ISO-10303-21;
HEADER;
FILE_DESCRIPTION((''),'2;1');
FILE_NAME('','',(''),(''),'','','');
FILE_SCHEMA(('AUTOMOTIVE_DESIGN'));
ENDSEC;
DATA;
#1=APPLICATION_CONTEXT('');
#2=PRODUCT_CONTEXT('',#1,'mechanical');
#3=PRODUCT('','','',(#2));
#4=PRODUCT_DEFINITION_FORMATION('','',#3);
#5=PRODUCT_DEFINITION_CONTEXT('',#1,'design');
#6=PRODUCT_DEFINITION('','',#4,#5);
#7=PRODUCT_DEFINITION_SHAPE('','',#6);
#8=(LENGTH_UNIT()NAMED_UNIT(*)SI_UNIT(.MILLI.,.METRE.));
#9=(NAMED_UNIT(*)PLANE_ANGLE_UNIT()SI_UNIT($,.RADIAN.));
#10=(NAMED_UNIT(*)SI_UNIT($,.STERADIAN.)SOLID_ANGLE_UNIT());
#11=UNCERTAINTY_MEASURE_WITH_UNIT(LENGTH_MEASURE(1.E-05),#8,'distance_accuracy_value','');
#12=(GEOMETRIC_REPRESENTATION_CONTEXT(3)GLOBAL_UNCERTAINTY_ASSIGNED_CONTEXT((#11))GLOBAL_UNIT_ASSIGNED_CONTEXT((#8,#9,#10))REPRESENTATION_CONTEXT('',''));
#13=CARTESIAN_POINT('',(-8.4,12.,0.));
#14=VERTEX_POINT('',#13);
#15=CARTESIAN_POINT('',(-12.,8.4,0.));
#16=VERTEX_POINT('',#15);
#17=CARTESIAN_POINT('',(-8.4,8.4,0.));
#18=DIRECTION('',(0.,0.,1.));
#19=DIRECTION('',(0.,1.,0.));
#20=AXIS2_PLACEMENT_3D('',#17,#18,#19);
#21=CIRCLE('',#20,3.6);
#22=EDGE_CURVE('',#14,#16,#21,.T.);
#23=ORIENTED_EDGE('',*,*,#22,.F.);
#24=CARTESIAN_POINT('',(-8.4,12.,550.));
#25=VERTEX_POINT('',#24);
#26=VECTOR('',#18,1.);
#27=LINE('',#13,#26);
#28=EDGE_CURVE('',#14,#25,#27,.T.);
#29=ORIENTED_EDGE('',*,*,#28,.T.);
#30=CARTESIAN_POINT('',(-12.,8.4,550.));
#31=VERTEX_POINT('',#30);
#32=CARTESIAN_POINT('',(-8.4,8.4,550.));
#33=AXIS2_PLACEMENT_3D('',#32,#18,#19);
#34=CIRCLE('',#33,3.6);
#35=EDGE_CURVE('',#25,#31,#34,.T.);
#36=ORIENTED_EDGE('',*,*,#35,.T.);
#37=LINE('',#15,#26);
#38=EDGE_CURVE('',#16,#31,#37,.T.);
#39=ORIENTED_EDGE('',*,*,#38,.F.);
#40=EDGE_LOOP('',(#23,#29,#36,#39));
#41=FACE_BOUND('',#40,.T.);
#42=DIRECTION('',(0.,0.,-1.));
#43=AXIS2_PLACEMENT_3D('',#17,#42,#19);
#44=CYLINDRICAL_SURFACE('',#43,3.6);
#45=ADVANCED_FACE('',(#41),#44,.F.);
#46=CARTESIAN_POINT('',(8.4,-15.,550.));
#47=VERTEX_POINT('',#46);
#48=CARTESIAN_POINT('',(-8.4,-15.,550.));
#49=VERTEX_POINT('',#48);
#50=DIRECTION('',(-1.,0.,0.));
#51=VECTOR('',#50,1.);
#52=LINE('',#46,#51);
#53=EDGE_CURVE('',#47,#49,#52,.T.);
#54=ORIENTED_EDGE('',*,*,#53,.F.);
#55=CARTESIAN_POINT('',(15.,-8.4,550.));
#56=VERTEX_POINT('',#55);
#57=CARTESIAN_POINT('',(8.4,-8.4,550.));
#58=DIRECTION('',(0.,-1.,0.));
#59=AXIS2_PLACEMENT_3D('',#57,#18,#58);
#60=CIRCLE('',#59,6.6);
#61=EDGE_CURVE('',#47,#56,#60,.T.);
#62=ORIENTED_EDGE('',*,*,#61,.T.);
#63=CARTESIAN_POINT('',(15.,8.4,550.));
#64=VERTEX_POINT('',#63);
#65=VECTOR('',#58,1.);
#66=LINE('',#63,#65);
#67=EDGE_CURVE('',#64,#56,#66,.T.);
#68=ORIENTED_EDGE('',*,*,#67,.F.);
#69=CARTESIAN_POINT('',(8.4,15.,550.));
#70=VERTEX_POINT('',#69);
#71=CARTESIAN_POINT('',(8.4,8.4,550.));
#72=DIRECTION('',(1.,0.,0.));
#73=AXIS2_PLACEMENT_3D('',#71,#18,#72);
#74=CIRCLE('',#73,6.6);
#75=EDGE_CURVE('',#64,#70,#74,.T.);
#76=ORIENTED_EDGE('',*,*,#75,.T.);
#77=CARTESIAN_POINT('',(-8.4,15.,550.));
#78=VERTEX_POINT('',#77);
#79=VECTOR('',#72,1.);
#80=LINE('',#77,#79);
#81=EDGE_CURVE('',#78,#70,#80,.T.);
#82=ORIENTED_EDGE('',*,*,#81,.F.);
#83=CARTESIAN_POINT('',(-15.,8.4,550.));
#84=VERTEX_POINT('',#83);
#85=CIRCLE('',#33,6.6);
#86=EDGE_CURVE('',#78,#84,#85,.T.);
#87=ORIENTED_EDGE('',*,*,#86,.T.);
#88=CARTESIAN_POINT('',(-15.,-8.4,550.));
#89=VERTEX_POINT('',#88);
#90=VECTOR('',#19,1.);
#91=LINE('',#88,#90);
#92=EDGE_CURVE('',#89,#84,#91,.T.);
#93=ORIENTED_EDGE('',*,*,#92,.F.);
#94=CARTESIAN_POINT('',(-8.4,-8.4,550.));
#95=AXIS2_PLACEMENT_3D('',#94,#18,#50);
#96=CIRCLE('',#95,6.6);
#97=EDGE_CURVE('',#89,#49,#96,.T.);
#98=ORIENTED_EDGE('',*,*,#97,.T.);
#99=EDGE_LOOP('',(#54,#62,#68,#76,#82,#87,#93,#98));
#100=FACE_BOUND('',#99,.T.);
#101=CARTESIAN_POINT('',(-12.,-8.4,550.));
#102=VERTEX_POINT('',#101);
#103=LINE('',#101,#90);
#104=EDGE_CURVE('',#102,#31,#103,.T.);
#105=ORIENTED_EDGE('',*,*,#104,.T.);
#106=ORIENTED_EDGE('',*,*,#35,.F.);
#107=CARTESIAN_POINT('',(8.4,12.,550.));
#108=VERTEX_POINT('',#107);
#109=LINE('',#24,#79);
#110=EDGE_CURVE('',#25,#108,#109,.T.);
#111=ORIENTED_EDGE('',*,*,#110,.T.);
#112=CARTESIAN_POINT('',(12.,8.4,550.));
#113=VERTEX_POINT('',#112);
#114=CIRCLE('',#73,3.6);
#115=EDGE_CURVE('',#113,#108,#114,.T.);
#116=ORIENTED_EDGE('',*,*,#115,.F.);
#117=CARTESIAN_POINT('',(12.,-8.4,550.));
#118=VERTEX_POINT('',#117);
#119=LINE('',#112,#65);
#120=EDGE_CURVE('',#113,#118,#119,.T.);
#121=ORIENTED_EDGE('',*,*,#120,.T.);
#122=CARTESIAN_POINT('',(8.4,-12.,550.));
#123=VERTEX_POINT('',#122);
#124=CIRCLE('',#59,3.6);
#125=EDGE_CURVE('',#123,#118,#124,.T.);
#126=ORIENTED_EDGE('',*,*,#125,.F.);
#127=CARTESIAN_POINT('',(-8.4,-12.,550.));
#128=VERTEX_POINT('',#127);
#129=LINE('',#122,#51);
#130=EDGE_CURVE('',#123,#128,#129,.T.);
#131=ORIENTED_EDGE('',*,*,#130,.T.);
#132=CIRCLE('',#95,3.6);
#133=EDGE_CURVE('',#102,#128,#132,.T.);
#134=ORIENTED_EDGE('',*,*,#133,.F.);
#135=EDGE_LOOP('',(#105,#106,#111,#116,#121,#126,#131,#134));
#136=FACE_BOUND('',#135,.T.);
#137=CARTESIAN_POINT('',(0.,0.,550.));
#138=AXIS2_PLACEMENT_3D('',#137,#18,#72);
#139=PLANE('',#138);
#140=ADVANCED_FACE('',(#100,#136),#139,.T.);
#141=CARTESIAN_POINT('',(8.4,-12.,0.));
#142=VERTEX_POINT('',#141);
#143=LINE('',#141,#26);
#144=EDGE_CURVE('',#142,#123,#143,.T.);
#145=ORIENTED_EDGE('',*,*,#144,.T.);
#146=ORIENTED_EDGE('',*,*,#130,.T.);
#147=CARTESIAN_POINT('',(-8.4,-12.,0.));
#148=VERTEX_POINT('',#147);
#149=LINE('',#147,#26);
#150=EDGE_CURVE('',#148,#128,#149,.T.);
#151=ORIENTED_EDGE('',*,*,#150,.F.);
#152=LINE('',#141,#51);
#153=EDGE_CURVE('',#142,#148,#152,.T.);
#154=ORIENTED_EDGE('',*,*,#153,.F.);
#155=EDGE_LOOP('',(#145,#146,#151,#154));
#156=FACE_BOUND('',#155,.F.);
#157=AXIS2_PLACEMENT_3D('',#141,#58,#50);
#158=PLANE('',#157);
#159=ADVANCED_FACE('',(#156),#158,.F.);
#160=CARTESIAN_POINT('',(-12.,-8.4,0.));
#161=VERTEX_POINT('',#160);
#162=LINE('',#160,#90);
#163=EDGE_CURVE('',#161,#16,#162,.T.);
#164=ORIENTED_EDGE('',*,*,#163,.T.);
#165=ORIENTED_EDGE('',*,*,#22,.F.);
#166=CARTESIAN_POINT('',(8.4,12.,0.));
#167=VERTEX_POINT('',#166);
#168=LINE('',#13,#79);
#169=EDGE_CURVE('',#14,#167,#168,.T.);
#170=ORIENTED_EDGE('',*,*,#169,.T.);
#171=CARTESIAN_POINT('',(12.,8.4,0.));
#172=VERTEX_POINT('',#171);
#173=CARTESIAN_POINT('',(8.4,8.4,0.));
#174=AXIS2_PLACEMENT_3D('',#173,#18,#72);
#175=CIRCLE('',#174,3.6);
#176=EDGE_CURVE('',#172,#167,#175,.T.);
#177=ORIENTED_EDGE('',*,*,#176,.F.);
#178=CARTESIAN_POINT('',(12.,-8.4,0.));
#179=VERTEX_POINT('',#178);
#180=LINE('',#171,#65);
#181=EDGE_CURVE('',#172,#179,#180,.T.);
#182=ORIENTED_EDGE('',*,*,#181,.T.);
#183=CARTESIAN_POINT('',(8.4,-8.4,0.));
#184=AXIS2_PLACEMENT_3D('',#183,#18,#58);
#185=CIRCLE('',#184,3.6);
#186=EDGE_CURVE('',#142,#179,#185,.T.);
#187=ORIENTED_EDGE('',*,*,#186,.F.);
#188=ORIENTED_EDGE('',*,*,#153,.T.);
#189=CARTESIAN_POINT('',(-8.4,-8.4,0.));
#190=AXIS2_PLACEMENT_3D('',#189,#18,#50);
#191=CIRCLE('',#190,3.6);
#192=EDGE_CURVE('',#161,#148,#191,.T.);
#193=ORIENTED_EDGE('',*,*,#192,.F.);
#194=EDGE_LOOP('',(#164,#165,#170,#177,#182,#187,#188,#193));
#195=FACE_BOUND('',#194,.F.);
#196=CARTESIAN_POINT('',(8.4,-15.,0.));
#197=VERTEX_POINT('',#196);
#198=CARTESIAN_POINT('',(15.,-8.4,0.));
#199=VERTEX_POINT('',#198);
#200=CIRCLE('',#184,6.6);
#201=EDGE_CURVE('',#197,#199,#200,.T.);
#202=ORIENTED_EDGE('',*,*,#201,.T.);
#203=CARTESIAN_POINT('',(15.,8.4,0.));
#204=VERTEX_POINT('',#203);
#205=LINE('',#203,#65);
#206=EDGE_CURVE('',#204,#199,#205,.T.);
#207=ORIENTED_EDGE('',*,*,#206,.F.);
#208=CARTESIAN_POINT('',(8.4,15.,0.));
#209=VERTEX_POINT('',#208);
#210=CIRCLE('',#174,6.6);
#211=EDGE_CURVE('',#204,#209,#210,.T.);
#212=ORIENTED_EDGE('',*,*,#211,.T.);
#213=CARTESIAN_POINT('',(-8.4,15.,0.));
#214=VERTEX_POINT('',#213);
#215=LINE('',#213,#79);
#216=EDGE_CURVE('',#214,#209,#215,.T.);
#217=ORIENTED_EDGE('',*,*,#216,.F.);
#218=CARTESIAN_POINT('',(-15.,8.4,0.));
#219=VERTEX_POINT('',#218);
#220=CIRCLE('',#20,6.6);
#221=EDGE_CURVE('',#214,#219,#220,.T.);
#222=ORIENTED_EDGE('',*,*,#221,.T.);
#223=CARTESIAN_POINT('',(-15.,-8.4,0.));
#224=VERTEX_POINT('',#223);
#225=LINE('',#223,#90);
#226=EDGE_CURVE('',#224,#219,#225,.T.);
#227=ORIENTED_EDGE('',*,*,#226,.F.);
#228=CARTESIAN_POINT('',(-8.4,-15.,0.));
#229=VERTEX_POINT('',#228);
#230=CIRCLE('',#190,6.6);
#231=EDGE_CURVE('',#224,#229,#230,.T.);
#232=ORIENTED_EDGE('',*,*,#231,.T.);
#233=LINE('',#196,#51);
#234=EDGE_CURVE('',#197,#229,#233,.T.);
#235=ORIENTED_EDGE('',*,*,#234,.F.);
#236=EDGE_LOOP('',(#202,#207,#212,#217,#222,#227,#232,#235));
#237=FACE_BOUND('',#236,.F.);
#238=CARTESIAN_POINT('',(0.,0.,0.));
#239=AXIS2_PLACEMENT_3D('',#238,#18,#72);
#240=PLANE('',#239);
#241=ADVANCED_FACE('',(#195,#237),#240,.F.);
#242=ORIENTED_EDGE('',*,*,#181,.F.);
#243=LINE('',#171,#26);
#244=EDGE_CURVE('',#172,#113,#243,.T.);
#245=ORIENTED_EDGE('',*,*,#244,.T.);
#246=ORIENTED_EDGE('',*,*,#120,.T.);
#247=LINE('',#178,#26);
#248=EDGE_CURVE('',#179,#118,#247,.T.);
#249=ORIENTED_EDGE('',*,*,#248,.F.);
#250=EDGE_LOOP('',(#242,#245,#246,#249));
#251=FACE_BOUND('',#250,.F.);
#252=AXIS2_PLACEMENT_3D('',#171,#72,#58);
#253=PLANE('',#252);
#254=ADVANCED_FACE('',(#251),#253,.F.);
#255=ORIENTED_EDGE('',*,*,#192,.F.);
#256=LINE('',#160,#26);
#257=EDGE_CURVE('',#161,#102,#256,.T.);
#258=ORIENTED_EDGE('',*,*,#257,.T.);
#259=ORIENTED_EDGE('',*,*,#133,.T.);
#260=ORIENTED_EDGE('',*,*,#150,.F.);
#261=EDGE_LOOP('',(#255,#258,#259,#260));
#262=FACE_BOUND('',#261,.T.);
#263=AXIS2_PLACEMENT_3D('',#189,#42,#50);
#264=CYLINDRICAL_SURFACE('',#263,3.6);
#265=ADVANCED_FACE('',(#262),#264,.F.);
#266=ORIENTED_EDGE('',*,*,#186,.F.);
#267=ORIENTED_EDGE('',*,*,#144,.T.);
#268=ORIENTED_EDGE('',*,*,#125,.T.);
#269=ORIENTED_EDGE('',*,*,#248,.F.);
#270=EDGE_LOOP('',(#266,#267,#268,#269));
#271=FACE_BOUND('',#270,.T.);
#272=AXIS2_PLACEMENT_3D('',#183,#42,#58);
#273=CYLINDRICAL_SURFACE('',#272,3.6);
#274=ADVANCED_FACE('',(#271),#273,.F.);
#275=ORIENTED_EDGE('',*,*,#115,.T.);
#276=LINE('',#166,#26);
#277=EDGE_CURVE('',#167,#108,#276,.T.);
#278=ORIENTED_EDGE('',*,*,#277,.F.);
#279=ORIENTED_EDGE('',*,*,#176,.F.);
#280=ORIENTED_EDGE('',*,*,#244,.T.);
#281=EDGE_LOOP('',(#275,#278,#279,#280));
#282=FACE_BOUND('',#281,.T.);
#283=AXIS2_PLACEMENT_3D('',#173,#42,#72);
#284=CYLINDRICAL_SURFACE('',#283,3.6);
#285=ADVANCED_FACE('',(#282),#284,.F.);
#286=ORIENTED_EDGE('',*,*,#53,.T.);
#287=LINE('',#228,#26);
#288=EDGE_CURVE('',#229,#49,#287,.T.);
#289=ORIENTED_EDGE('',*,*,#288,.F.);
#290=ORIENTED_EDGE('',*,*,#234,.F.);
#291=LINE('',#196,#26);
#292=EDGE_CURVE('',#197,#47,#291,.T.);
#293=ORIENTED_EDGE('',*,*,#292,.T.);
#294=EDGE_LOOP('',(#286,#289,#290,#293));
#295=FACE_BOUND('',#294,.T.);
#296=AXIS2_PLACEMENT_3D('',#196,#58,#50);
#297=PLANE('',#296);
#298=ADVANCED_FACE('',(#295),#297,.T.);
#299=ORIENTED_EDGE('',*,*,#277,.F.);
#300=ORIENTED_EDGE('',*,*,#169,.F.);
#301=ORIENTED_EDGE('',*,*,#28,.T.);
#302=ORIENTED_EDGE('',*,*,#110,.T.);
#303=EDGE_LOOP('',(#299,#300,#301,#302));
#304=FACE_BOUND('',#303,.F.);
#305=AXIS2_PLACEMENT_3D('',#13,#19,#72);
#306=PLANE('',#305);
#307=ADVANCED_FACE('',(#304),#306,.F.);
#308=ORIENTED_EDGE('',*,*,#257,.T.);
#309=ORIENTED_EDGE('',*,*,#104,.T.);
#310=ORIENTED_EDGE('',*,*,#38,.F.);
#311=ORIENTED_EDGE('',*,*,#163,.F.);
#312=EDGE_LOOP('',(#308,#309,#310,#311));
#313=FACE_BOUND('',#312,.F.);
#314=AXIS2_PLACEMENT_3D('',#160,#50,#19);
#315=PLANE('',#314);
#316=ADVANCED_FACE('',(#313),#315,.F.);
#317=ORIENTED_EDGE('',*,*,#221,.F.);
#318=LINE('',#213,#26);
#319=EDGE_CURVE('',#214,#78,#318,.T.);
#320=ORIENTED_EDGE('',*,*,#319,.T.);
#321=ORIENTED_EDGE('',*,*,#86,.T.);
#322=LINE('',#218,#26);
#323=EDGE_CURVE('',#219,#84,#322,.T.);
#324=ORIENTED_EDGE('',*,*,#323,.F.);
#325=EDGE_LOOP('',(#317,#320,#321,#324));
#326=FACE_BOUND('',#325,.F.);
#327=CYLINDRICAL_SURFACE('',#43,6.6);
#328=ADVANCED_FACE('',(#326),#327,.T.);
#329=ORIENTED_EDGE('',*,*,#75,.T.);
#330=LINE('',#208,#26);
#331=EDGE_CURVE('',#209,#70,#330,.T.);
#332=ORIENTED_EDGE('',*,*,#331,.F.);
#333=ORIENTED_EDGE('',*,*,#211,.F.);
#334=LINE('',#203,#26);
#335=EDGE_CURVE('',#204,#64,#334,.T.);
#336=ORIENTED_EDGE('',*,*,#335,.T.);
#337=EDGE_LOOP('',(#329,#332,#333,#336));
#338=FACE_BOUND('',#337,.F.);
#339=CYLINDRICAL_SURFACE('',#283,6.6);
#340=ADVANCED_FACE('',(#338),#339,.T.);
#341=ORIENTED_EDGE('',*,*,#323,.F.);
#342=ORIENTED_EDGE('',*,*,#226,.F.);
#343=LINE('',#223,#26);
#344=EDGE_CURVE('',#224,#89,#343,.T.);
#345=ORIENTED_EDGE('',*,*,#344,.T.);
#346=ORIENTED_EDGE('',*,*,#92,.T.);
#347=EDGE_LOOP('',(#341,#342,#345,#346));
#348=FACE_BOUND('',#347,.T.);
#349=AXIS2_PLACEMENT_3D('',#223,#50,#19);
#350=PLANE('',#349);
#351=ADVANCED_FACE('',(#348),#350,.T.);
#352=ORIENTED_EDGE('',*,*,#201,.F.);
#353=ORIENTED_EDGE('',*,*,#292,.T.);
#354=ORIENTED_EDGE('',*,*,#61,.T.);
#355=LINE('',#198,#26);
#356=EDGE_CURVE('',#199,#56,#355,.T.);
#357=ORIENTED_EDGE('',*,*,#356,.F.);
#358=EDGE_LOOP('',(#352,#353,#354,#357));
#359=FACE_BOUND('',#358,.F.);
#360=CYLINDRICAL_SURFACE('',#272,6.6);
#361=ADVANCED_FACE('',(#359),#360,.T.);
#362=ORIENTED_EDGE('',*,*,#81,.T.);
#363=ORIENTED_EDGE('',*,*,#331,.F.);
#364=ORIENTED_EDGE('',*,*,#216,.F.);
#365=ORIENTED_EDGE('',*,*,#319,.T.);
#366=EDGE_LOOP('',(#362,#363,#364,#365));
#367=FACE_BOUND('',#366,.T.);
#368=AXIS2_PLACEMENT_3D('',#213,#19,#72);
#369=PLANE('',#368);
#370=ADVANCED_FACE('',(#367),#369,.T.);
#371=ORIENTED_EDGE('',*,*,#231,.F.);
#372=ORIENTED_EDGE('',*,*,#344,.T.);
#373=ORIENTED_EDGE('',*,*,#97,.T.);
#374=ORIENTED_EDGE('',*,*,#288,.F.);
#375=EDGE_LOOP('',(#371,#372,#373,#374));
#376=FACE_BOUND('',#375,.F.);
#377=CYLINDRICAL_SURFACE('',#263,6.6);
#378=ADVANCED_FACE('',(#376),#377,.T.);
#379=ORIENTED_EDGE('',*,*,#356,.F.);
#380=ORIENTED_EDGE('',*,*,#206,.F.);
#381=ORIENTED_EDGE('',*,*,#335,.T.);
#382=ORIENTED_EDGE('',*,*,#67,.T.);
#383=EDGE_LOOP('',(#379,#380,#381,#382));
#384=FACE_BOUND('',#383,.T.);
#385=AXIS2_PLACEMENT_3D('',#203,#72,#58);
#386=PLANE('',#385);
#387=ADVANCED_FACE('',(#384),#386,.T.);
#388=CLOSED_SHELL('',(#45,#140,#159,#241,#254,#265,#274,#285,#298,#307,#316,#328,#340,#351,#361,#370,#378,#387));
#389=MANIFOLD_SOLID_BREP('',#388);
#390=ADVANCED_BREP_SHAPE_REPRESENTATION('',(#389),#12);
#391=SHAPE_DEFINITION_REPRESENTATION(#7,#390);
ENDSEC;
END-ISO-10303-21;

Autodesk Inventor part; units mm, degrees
ref_plane "YZ Plane" through (0, 0, 0) normal (1, 0, 0) x (0, 1, 0)
ref_plane "Plano inicial" through (0, 0, 0) normal (0, 0, 1) x (1, 0, 0)
ref_plane "Plano final" through (0, 0, 550) normal (0, 0, 1) x (1, 0, 0)
sketch "Rascunho" plane through (0, 0, 0) normal (0, 0, 1) x (1, 0, 0)
  line L0 (-15, -8.4) -> (-15, 8.4)
  line L1 (-8.4, 15) -> (8.4, 15)
  line L2 (15, 8.4) -> (15, -8.4)
  line L3 (8.4, -15) -> (-8.4, -15)
  arc A0 (-15, -8.4) -> (-8.4, -15) centre (-8.4, -8.4) ccw
  arc A1 (-8.4, 15) -> (-15, 8.4) centre (-8.4, 8.4) ccw
  arc A2 (15, 8.4) -> (8.4, 15) centre (8.4, 8.4) ccw
  arc A3 (8.4, -15) -> (15, -8.4) centre (8.4, -8.4) ccw
  arc A4 (-8.4, 12) -> (-12, 8.4) centre (-8.4, 8.4) ccw
  line L4 (-8.4, 12) -> (8.4, 12)
  arc A5 (12, 8.4) -> (8.4, 12) centre (8.4, 8.4) ccw
  line L5 (12, 8.4) -> (12, -8.4)
  arc A6 (8.4, -12) -> (12, -8.4) centre (8.4, -8.4) ccw
  line L6 (8.4, -12) -> (-8.4, -12)
  arc A7 (-12, -8.4) -> (-8.4, -12) centre (-8.4, -8.4) ccw
  line L7 (-12, -8.4) -> (-12, 8.4)
  line L8 (0, 22.9137) -> (0, -22.9137) construction
  line L9 (-22.9137, 0) -> (22.9137, 0) construction
  dimension "d7" = 6.6
  dimension "d10" = 30
  dimension "d11" = 30
  dimension "d12" = 3
  dimension "d15" = 15
  dimension "d16" = 15
extrude "Corpo" add sketch "Rascunho" along normal up to surface (550 mm away) from surface at 0
sketch "Sketch3" plane through (0, 0, 0) normal (0, 0, 1) x (1, 0, 0)
  line L0 (0, 0) -> (10, 0)
ref_plane "Work Plane3" through (0, 0, 0) normal (0, -1, 0) x (1, 0, 0)
sketch "Sketch4" plane through (0, 0, 0) normal (0, -1, 0) x (1, 0, 0)
  line L0 (-2, 0) -> (12, 0) projected
  line L1 (-2, 550) -> (12, 550) projected
  dimension "d18" = 550
equation "\"d7\" = G_IR"
equation "\"d10\" = G_H"
equation "\"d11\" = G_W"
equation "\"d12\" = G_T"
equation "\"d15\" = 0.5 * d10"
equation "\"d16\" = 0.5 * d11"
equation "\"d3\" = G_L"
equation "\"G_W\" = 30"
equation "\"G_H\" = 30"
equation "\"G_T\" = 3"
equation "\"G_IR\" = 6.6"
equation "\"G_L\" = d18"
equation "\"G_OFFSET_START\" = 0"
equation "\"G_OFFSET_END\" = 0"
properties part number "Tubo 30 x 30 x 3  - 500" material "Aço, suave"
